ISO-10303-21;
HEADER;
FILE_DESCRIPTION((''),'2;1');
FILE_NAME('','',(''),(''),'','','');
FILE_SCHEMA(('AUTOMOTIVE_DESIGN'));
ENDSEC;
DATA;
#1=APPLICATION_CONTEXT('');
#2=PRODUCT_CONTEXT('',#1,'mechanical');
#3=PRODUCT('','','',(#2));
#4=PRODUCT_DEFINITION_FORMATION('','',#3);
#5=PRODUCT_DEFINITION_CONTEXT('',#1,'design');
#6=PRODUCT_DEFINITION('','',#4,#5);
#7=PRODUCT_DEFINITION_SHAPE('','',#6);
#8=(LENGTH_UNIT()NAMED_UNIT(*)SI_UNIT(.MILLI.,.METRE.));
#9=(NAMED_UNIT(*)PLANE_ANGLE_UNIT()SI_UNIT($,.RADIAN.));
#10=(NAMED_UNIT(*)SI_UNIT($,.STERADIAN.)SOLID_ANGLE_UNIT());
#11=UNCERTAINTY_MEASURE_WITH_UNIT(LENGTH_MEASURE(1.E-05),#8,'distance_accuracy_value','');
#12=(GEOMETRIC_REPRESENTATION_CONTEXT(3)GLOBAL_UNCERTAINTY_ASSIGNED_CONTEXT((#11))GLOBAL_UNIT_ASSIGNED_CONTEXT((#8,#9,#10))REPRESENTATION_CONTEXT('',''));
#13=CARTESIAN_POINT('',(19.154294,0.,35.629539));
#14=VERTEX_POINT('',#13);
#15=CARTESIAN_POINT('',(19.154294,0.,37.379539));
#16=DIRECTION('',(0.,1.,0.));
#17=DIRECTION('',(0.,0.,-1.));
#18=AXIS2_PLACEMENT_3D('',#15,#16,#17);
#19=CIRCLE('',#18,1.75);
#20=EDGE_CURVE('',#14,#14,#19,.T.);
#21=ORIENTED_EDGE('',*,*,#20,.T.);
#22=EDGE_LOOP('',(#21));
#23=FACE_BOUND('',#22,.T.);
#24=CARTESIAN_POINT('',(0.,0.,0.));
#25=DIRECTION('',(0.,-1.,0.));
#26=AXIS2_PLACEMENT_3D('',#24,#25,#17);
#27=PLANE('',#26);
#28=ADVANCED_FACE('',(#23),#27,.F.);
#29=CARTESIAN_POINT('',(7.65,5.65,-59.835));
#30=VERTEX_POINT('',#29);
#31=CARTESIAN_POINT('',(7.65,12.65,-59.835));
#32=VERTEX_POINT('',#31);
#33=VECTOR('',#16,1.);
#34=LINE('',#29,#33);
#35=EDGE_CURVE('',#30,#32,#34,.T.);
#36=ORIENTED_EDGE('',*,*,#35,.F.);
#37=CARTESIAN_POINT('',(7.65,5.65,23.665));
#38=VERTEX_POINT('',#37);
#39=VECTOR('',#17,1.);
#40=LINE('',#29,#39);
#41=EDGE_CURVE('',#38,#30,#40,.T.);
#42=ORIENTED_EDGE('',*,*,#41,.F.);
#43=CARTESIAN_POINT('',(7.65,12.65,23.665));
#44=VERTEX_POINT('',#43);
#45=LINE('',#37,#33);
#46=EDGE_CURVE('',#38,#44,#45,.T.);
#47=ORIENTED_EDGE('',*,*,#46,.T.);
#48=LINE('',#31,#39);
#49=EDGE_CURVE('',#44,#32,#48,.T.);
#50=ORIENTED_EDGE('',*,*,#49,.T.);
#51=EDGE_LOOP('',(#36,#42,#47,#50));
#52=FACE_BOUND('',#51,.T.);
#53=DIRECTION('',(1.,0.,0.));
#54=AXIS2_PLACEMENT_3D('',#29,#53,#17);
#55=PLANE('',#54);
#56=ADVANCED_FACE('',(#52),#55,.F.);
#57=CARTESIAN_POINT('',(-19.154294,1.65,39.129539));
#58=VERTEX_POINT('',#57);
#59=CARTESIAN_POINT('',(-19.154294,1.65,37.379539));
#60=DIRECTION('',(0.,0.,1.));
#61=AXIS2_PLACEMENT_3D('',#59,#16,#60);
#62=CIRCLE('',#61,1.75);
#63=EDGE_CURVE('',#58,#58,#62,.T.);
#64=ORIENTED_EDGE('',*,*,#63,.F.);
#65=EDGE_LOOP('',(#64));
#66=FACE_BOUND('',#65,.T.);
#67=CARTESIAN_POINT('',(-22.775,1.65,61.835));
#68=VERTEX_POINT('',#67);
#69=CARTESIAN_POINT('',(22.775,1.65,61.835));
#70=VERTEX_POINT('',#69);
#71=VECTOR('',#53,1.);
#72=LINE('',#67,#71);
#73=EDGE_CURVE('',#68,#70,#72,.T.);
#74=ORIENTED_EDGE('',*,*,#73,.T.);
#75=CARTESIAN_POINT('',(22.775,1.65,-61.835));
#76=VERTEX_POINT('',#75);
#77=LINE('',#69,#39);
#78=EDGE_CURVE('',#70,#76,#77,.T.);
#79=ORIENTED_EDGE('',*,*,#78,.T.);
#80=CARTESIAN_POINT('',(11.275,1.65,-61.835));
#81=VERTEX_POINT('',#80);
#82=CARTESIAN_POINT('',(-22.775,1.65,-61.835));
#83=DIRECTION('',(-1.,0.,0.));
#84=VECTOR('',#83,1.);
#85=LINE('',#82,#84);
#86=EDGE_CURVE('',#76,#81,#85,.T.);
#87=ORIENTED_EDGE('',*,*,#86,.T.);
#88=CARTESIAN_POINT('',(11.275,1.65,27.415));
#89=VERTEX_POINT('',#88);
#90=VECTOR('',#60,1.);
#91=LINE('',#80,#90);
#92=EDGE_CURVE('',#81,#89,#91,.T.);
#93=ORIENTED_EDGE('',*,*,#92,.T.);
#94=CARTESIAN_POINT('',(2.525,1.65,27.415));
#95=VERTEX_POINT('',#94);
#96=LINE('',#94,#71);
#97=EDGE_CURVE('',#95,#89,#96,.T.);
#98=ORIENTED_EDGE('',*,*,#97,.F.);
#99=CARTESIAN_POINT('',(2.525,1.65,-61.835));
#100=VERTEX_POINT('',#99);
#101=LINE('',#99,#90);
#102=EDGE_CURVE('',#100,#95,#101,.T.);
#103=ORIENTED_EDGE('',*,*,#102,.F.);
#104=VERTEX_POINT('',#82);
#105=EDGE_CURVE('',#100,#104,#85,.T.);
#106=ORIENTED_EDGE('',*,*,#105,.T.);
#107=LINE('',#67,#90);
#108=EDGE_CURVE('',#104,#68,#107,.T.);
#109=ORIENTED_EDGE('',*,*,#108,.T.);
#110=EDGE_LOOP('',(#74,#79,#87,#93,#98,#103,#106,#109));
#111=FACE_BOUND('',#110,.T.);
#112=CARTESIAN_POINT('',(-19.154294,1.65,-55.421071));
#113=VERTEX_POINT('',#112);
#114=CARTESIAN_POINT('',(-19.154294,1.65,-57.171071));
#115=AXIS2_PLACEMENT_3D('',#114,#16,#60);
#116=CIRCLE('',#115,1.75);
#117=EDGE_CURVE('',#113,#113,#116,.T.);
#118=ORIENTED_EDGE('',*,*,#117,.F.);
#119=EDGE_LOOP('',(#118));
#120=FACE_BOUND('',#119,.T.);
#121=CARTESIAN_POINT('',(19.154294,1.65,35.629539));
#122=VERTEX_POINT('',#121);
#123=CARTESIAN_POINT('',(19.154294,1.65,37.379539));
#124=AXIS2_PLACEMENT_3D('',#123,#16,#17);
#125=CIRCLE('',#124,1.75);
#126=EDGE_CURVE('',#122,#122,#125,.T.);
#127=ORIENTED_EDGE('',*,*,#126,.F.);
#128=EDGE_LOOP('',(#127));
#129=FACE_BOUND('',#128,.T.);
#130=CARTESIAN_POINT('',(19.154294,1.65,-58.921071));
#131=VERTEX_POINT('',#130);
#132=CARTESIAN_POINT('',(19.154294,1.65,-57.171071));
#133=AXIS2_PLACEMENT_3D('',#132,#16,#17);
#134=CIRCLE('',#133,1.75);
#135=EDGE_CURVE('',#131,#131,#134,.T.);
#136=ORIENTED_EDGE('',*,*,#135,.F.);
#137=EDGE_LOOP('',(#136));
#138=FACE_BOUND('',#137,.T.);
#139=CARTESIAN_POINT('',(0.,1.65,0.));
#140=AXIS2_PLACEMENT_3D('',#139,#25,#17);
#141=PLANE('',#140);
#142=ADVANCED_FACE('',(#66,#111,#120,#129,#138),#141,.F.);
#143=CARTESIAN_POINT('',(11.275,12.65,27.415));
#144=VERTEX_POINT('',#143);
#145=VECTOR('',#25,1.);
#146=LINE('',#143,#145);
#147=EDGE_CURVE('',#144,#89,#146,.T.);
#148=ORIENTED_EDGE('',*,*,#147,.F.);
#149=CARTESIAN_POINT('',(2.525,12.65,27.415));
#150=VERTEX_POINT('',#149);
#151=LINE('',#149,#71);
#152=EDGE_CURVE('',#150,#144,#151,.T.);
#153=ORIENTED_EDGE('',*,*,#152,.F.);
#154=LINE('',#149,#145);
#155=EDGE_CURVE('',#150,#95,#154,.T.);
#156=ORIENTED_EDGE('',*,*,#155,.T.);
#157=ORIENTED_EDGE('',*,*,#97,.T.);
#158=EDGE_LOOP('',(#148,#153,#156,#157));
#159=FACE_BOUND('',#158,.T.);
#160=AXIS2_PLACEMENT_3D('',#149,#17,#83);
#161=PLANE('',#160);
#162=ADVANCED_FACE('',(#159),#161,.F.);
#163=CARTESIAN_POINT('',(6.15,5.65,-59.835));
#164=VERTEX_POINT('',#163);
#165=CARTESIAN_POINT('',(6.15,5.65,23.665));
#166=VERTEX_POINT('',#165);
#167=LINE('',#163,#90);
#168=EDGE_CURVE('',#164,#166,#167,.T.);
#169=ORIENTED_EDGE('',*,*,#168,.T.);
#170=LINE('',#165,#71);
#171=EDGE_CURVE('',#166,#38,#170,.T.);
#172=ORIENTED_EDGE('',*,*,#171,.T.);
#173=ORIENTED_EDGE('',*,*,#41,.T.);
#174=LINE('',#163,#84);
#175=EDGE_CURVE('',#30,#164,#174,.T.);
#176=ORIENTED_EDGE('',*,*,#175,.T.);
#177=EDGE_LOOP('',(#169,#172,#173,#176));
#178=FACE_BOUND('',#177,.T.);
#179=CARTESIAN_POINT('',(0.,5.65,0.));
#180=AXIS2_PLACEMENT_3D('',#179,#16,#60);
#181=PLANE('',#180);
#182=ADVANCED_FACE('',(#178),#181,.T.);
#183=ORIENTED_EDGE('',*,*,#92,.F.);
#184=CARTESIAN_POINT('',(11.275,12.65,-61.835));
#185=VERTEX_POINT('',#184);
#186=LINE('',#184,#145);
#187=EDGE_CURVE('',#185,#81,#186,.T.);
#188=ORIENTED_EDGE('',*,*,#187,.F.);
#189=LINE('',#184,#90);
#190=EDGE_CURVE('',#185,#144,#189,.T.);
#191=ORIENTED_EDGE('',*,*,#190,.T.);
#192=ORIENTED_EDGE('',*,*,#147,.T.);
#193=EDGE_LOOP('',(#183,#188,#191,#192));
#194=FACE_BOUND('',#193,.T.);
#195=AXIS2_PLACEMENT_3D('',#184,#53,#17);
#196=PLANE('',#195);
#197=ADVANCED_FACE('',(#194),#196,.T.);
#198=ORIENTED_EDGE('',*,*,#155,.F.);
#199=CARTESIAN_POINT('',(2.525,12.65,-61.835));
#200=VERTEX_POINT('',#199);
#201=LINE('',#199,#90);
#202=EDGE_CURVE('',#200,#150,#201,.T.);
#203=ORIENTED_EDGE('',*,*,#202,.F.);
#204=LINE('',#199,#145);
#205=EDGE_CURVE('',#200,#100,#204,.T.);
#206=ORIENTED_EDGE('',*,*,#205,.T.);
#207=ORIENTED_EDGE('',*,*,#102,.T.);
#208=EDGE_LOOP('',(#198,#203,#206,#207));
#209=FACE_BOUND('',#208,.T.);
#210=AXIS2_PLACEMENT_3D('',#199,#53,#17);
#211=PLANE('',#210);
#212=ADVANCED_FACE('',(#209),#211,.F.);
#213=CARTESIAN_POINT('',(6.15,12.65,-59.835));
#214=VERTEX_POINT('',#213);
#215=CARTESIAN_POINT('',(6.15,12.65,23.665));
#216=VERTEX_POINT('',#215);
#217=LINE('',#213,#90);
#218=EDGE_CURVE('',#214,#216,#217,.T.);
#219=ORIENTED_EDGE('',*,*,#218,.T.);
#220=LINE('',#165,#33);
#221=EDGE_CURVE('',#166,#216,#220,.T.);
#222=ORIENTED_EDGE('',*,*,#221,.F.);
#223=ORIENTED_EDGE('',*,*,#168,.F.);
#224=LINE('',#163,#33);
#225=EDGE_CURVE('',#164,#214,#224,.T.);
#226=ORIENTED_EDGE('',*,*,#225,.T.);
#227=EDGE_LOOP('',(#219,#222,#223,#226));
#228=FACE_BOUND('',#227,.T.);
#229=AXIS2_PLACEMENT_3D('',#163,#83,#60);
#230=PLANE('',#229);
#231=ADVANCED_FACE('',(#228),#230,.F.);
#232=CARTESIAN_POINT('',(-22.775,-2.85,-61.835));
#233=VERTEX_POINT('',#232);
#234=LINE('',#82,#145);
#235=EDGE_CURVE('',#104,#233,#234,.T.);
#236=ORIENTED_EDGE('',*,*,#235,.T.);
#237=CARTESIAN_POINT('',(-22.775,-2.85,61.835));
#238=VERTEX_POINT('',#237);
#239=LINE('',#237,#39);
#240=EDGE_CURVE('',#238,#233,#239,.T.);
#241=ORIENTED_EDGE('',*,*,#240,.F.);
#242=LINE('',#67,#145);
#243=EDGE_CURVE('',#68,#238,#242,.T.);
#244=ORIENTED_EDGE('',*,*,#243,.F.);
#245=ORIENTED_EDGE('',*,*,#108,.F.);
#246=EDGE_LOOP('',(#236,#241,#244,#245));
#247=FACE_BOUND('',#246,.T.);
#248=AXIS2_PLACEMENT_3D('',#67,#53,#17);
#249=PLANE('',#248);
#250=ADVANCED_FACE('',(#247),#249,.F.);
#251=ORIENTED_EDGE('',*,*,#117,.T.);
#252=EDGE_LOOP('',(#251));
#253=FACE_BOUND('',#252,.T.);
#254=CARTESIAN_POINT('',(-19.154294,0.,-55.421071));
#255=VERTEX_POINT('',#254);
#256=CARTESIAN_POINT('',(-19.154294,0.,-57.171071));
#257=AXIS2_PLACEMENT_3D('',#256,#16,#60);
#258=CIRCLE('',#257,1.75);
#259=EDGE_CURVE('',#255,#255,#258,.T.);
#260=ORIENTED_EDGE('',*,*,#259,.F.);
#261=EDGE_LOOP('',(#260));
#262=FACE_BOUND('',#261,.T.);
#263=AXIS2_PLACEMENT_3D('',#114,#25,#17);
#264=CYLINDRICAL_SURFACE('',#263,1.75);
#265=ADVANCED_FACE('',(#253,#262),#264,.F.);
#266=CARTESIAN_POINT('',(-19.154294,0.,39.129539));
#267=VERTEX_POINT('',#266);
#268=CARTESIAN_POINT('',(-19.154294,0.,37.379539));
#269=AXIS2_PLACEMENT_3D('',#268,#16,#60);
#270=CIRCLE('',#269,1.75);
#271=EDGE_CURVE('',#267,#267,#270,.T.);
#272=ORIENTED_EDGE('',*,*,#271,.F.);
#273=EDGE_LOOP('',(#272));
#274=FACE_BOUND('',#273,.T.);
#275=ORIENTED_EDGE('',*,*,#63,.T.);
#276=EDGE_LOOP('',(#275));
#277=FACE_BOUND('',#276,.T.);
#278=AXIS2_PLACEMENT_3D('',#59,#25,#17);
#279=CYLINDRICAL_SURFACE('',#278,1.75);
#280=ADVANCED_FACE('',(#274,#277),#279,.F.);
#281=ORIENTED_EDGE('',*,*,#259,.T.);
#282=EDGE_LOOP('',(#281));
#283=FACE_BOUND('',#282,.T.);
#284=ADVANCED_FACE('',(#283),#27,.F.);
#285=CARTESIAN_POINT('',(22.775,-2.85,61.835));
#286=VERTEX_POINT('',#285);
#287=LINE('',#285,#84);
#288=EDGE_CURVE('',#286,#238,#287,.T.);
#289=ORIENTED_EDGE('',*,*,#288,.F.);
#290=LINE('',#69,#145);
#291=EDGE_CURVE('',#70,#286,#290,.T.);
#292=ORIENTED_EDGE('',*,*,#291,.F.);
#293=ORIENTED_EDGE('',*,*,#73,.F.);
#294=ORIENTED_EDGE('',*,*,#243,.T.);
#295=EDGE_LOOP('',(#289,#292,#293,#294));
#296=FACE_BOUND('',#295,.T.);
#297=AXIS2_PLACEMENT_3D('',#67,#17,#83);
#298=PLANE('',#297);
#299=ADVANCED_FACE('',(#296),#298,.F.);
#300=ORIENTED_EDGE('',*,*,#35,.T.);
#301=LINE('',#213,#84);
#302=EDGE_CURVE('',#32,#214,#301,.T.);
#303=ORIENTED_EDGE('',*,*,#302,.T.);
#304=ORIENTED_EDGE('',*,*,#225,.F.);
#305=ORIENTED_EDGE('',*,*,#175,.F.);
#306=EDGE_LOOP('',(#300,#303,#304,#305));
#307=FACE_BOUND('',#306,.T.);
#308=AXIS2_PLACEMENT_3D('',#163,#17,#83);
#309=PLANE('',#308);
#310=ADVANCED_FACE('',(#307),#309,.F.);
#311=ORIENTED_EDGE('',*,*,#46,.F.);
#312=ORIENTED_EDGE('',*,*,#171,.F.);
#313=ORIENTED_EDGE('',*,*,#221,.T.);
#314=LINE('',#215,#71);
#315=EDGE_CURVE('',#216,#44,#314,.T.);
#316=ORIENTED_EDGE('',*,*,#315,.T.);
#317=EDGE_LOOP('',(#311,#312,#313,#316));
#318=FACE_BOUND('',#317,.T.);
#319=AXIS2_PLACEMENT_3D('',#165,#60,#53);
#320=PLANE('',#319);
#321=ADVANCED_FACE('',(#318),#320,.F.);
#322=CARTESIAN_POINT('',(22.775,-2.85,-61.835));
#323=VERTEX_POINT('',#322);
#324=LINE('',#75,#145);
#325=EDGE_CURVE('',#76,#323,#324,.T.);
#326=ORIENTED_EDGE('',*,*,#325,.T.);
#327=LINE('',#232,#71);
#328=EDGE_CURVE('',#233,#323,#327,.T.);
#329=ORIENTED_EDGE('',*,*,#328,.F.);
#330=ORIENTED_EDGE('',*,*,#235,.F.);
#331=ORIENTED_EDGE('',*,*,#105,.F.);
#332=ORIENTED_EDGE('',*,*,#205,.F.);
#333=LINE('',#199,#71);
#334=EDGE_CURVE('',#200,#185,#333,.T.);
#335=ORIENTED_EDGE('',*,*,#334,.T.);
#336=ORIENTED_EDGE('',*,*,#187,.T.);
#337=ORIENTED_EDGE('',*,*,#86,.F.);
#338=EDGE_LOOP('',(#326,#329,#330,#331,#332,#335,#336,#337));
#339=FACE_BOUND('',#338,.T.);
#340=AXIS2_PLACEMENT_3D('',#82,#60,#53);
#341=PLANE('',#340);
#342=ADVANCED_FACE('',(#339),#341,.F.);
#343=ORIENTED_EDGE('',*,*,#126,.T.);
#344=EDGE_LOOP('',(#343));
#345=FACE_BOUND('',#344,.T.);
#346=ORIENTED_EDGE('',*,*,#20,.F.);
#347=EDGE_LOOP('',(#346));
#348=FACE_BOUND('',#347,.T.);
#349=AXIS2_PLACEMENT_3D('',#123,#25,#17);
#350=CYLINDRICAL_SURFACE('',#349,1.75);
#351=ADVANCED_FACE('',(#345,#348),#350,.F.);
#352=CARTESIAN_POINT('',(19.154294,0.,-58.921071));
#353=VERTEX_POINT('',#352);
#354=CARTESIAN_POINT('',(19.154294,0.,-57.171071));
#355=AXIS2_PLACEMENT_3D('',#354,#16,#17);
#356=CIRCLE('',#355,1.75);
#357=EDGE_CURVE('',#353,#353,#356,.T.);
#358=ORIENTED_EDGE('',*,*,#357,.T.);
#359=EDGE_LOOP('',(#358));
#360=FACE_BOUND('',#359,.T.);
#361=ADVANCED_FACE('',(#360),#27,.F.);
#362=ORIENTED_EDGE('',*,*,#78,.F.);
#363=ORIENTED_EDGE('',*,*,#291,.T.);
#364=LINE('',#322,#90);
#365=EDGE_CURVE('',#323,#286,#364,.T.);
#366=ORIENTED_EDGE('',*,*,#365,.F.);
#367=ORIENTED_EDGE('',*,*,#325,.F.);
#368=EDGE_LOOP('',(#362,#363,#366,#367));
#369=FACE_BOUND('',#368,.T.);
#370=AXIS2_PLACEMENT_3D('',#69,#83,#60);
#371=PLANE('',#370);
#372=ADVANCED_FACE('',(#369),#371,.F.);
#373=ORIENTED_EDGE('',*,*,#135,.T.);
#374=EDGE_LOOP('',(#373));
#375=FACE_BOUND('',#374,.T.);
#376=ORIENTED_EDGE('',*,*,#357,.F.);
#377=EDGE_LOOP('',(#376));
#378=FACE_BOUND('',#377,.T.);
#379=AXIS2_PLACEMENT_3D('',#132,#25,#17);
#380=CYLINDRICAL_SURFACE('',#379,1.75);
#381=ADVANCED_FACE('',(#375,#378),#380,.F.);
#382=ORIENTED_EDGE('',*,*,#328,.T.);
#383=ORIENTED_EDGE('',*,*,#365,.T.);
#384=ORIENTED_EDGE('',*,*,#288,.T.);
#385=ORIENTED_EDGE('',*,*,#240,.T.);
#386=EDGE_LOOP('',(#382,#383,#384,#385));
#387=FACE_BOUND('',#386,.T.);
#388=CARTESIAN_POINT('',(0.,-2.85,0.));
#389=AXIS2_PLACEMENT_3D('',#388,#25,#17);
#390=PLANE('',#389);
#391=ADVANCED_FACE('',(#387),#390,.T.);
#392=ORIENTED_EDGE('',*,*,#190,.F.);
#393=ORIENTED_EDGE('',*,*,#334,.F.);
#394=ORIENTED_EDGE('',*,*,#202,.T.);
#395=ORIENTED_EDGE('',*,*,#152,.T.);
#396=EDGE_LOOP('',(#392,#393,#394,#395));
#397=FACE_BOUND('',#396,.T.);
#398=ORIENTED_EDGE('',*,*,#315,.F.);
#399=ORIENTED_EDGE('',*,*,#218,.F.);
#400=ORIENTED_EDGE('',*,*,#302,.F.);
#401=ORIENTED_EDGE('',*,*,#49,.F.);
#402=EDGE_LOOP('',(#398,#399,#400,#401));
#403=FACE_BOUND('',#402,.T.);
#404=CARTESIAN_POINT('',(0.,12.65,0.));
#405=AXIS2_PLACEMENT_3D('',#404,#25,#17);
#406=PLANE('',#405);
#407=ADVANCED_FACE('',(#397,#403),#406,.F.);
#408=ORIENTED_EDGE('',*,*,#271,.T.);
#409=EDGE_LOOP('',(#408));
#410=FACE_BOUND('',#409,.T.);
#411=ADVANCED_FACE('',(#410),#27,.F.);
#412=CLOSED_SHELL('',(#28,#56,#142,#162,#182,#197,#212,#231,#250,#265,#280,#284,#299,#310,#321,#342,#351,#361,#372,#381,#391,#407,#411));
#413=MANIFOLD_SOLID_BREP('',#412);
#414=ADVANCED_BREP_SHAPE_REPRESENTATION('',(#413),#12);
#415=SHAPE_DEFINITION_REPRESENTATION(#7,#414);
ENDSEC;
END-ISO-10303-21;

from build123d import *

# Parameters (mm, degrees)
SKETCH1_W           = 45.55
SKETCH1_H           = 123.67
SKETCH1_R           = 1.75
BOSS_EXTRUDE1_DEPTH = 1.65
SKETCH2_W           = 45.55
SKETCH2_H           = 123.67
BOSS_EXTRUDE2_DEPTH = 2.85
SKETCH3_W           = 8.75
SKETCH3_H           = 89.25
BOSS_EXTRUDE3_DEPTH = 11
SKETCH4_W           = 1.5
SKETCH4_H           = 83.5
CUT_EXTRUDE1_DEPTH  = 7


with BuildPart() as part:
    # Sketch1 → Boss-Extrude1 (new body)
    with BuildSketch(Plane(origin=(0, 0, 0), x_dir=(1, 0, 0), z_dir=(0, 1, 0))):
        Rectangle(SKETCH1_W, SKETCH1_H)
        with Locations((-19.154293565, -37.379539044)):
            Circle(SKETCH1_R, mode=Mode.SUBTRACT)
        with Locations((-19.154293565, 57.171070526)):
            Circle(SKETCH1_R, mode=Mode.SUBTRACT)
        with Locations((19.154293565, -37.379539044)):
            Circle(SKETCH1_R, mode=Mode.SUBTRACT)
        with Locations((19.154293565, 57.171070526)):
            Circle(SKETCH1_R, mode=Mode.SUBTRACT)
    extrude(amount=BOSS_EXTRUDE1_DEPTH)

    # Sketch2 → Boss-Extrude2 (add)
    with BuildSketch(Plane.XZ):
        Rectangle(SKETCH2_W, SKETCH2_H)
    extrude(amount=BOSS_EXTRUDE2_DEPTH)

    # Sketch3 → Boss-Extrude3 (add)
    with BuildSketch(Plane(origin=(0, 1.65, 0), x_dir=(1, 0, 0), z_dir=(0, 1, 0))):
        with Locations((6.9, 17.21)):
            Rectangle(SKETCH3_W, SKETCH3_H)
    extrude(amount=BOSS_EXTRUDE3_DEPTH)

    # Sketch4 → Cut-Extrude1 (cut)
    with BuildSketch(Plane(origin=(0, 12.65, 0), x_dir=(1, 0, 0), z_dir=(0, 1, 0))):
        with Locations((6.9, 18.085)):
            Rectangle(SKETCH4_W, SKETCH4_H)
    extrude(amount=-CUT_EXTRUDE1_DEPTH, mode=Mode.SUBTRACT)


solid = part.part
